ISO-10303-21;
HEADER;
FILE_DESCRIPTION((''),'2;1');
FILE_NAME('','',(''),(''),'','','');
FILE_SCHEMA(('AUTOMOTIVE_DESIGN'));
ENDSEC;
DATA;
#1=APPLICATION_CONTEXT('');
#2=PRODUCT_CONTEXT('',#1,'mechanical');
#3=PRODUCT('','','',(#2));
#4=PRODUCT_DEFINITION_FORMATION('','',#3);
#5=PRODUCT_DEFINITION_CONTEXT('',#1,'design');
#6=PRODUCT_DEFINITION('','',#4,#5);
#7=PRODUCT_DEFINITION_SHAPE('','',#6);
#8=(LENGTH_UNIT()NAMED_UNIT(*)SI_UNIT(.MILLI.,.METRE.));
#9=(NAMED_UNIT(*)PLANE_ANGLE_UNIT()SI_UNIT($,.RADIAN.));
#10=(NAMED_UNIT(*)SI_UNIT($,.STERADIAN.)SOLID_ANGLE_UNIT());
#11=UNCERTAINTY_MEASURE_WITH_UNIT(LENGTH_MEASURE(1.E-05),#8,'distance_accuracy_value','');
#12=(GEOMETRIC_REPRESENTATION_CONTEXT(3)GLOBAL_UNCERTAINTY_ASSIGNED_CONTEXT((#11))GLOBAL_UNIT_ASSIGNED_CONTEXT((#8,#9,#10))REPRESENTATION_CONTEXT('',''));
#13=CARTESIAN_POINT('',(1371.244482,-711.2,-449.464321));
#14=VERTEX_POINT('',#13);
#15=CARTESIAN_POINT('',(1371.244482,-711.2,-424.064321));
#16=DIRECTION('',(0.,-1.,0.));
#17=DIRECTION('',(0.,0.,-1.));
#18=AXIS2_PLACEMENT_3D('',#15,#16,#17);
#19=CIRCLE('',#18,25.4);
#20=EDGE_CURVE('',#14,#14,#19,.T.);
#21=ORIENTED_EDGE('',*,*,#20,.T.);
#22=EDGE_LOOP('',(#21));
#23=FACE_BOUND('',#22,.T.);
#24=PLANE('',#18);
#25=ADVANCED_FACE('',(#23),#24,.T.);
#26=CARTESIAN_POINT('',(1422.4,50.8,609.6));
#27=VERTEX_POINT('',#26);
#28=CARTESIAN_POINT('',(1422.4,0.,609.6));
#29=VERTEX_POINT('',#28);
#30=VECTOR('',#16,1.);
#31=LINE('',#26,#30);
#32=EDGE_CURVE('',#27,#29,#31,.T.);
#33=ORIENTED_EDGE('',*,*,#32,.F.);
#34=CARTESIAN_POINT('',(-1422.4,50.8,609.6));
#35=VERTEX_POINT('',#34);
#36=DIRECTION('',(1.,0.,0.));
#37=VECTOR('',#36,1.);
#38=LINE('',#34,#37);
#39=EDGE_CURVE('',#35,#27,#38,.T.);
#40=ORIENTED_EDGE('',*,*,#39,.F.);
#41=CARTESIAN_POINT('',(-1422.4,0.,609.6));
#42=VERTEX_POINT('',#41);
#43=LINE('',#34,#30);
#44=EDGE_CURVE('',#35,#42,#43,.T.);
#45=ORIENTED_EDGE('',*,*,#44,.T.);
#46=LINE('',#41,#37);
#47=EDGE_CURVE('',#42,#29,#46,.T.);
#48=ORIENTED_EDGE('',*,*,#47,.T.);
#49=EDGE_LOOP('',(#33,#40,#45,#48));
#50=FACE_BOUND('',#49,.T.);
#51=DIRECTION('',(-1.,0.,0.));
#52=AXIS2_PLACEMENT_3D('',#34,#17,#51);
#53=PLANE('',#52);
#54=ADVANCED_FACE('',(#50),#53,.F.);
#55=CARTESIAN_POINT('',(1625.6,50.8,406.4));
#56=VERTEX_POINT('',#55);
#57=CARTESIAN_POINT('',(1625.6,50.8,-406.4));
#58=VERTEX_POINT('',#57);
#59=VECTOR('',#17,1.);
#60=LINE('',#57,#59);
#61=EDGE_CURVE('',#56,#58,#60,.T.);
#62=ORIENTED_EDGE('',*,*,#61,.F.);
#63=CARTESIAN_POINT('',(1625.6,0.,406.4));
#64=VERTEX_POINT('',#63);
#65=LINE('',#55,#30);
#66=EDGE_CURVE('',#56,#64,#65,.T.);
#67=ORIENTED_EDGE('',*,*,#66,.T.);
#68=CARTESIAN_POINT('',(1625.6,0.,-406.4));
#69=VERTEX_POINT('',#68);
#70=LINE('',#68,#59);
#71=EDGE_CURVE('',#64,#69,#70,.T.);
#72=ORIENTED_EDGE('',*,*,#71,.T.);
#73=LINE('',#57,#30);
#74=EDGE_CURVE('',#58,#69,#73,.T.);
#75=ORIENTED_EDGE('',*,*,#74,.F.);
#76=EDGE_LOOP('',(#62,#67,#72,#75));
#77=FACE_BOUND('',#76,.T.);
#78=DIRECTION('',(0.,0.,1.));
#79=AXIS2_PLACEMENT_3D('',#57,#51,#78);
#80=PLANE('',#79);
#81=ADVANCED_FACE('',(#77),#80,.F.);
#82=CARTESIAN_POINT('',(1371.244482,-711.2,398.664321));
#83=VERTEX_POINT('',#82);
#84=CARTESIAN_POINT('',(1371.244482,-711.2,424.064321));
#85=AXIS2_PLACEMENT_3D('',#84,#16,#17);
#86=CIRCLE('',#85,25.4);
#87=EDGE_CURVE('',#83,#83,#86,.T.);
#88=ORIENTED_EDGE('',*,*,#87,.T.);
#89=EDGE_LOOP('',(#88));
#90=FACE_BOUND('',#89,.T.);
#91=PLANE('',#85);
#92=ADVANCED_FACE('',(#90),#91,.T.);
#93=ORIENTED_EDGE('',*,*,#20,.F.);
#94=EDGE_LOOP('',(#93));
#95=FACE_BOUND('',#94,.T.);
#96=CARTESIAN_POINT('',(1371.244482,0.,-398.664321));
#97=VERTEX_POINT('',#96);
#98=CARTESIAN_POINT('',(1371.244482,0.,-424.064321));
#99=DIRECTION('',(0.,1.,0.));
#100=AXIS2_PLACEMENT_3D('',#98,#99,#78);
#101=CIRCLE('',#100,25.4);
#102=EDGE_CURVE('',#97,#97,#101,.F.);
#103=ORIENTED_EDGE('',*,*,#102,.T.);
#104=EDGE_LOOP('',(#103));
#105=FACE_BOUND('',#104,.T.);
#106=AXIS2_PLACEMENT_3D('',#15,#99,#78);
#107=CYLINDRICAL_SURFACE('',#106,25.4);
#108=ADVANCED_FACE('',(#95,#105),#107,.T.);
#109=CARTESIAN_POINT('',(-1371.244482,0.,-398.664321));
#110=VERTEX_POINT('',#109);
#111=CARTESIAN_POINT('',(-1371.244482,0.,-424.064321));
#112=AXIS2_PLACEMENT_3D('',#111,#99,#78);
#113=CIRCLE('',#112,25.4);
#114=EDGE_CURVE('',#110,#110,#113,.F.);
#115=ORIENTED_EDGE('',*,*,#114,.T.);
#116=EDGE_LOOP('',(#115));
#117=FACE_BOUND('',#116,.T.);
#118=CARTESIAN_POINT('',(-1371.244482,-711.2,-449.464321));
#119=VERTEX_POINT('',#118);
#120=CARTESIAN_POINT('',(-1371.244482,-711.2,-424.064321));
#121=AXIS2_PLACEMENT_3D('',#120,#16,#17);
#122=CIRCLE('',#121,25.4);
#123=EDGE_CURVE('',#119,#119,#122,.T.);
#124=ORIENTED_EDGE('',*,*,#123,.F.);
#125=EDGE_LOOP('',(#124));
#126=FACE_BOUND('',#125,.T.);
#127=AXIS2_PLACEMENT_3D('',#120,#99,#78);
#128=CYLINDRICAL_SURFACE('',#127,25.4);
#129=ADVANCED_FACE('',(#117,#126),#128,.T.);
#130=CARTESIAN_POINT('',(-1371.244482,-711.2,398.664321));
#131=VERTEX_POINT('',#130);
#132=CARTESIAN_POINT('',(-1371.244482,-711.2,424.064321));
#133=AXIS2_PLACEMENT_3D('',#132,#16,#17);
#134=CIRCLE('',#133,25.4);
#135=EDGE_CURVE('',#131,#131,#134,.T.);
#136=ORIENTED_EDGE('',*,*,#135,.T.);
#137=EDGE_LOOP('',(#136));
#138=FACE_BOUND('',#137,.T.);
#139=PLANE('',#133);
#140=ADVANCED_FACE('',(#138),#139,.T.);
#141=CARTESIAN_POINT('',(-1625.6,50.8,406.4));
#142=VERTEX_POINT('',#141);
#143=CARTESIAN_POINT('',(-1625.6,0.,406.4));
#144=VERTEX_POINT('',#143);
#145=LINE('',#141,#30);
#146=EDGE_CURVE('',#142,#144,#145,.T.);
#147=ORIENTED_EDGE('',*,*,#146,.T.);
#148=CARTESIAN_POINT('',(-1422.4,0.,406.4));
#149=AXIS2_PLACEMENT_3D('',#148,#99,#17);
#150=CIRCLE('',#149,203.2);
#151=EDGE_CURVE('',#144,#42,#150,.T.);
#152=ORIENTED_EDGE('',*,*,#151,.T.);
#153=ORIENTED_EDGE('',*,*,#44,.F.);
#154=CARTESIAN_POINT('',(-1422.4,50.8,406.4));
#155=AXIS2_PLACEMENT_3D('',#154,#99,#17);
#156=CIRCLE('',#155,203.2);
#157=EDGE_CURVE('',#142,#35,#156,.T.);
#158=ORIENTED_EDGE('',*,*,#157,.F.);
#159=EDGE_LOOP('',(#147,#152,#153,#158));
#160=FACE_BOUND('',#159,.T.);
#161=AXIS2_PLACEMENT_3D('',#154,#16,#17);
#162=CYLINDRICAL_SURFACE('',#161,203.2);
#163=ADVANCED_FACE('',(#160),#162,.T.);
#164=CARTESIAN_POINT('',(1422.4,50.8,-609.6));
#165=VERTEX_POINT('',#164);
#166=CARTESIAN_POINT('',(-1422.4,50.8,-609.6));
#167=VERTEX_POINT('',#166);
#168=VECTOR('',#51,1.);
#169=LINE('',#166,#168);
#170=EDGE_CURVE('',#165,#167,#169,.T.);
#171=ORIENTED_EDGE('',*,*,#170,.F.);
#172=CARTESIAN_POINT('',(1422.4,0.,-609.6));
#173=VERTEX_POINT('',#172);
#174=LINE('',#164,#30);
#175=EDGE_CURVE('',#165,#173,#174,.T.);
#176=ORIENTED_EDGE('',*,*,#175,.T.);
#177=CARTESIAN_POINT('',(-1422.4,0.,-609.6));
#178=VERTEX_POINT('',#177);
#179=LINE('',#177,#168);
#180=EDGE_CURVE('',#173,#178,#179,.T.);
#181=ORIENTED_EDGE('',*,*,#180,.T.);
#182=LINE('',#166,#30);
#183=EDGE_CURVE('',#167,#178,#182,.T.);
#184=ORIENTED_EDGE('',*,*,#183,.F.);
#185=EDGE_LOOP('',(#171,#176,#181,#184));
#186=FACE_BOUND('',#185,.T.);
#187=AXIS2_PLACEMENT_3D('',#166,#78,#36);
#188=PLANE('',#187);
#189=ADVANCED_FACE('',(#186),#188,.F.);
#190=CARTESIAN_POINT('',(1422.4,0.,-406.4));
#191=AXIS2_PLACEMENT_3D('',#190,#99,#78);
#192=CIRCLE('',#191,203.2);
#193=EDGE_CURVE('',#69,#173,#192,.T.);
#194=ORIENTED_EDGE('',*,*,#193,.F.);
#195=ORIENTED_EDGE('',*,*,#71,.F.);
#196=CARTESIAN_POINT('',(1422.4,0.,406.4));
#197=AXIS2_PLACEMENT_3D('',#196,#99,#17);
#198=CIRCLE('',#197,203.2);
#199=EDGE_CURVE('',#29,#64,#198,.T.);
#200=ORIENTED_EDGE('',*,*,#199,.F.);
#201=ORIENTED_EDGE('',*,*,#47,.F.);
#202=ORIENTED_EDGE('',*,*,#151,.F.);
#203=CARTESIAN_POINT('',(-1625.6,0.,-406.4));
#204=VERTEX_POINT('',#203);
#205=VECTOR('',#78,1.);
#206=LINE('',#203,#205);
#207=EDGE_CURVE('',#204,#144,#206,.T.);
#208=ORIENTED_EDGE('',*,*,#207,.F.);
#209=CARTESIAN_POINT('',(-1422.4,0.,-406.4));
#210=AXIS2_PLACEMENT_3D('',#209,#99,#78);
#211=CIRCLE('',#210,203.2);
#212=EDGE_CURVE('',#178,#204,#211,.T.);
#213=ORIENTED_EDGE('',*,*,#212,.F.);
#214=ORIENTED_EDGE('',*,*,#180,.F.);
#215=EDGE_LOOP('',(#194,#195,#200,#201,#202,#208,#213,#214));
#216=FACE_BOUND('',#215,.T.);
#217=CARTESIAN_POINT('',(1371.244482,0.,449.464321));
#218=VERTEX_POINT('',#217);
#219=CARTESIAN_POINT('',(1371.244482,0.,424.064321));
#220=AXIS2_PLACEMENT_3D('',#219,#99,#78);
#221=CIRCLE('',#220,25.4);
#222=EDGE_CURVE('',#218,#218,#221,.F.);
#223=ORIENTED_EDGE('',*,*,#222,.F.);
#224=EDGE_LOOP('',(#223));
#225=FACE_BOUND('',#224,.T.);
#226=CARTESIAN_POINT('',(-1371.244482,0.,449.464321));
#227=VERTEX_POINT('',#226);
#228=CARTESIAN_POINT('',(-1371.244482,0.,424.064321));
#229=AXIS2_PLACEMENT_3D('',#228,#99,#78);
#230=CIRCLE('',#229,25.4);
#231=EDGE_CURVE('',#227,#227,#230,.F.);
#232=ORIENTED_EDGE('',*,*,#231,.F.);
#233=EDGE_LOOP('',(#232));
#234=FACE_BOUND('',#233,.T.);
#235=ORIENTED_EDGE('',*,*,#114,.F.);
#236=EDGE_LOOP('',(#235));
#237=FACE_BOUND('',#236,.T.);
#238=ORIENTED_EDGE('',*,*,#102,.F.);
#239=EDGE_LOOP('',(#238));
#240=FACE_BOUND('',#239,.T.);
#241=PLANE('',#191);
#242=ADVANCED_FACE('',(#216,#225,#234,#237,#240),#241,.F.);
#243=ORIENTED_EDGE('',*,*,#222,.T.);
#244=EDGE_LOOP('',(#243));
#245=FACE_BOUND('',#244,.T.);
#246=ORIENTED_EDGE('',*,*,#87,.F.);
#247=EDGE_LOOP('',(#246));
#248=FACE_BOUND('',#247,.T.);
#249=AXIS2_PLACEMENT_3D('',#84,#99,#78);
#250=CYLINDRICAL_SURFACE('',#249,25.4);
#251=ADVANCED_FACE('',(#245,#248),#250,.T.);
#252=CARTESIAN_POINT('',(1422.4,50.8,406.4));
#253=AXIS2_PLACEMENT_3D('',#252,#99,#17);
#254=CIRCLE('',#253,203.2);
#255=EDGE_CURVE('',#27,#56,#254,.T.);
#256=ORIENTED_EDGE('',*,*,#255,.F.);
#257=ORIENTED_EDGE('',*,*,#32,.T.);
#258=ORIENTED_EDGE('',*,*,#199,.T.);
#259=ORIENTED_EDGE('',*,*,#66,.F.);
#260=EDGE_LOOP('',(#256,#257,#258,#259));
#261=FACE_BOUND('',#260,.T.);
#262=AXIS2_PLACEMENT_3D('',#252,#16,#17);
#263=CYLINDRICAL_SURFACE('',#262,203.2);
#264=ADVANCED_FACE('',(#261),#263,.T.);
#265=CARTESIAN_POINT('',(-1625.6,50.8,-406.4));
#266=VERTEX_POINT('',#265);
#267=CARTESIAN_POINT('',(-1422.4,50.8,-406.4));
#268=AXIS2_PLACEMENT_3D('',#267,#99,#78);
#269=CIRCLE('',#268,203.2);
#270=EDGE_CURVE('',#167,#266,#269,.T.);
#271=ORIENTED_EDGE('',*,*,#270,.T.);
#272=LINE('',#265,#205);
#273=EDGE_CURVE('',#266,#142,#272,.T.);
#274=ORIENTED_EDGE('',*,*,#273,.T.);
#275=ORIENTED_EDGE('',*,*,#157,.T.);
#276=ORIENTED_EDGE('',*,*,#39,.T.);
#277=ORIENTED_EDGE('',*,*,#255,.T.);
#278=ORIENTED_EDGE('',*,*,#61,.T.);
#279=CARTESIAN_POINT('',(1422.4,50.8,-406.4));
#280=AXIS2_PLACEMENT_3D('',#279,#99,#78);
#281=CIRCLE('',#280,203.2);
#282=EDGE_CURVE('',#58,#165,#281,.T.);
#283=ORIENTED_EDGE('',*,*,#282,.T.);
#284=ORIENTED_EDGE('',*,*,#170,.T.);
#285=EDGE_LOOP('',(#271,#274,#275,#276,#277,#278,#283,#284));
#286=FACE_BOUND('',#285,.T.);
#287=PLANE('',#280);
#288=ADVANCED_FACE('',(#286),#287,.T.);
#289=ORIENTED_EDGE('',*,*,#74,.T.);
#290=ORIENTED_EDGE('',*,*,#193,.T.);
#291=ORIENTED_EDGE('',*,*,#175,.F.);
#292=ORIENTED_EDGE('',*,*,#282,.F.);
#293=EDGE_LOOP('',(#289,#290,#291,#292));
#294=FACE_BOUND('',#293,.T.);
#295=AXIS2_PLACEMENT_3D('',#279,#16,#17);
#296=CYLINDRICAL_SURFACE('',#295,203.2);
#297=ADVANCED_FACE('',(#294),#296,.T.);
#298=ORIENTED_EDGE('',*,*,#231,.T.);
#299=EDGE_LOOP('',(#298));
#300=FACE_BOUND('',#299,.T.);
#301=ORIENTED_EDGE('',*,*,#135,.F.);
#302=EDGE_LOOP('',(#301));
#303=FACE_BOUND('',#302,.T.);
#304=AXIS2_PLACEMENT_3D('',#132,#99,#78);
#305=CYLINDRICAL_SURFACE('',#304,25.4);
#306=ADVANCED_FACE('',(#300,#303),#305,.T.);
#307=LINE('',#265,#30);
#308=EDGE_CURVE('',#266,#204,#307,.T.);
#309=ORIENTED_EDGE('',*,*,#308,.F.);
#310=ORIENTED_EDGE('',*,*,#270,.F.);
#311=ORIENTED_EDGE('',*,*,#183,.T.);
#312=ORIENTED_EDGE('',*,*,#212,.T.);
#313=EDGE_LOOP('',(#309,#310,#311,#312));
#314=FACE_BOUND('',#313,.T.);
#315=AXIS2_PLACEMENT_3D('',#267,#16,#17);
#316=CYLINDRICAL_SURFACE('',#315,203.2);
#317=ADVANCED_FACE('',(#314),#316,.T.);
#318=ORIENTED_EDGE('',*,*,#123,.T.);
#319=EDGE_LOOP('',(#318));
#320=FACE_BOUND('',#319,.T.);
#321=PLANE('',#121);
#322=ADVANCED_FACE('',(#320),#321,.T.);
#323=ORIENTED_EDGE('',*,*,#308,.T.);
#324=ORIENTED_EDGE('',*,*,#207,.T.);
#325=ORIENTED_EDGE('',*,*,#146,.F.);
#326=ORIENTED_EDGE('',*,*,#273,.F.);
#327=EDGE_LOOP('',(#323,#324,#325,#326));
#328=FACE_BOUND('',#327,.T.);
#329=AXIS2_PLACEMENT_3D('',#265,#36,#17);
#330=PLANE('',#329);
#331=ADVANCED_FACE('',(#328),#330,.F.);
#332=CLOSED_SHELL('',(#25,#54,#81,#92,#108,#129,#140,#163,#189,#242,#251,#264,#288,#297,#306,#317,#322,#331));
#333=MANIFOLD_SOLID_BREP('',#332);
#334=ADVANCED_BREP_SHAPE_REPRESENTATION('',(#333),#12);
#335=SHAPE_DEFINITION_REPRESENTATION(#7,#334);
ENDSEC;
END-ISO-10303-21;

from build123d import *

# Parameters (mm, degrees)
BOSS_EXTRUDE1_DEPTH = 50.8
SKETCH2_R           = 25.4
BOSS_EXTRUDE2_DEPTH = 711.2


with BuildPart() as part:
    # Sketch1 → Boss-Extrude1 (new body)
    with BuildSketch(Plane(origin=(0, 0, 0), x_dir=(1, 0, 0), z_dir=(0, 1, 0))):
        with BuildLine():
            Line((-1422.4, 609.6), (1422.4, 609.6))
            ThreePointArc((1422.4, 609.6), (1566.084097937, 550.084097937), (1625.6, 406.4))
            Line((1625.6, 406.4), (1625.6, -406.4))
            ThreePointArc((1625.6, -406.4), (1566.084097937, -550.084097937), (1422.4, -609.6))
            Line((1422.4, -609.6), (-1422.4, -609.6))
            ThreePointArc((-1422.4, -609.6), (-1566.084097937, -550.084097937), (-1625.6, -406.4))
            Line((-1625.6, -406.4), (-1625.6, 406.4))
            ThreePointArc((-1625.6, 406.4), (-1566.084097937, 550.084097937), (-1422.4, 609.6))
        make_face()
    extrude(amount=BOSS_EXTRUDE1_DEPTH)

    # Sketch2 → Boss-Extrude2 (add)
    with BuildSketch(Plane.XZ):
        with Locations(Location((-1371.244481687, 424.064320522, 0), (0, 0, 90))):
            Circle(SKETCH2_R)
        with Locations(Location((-1371.244481687, -424.064320522, 0), (0, 0, 90))):
            Circle(SKETCH2_R)
        with Locations(Location((1371.244481687, -424.064320522, 0), (0, 0, 90))):
            Circle(SKETCH2_R)
        with Locations(Location((1371.244481687, 424.064320522, 0), (0, 0, 90))):
            Circle(SKETCH2_R)
    extrude(amount=BOSS_EXTRUDE2_DEPTH)


solid = part.part
